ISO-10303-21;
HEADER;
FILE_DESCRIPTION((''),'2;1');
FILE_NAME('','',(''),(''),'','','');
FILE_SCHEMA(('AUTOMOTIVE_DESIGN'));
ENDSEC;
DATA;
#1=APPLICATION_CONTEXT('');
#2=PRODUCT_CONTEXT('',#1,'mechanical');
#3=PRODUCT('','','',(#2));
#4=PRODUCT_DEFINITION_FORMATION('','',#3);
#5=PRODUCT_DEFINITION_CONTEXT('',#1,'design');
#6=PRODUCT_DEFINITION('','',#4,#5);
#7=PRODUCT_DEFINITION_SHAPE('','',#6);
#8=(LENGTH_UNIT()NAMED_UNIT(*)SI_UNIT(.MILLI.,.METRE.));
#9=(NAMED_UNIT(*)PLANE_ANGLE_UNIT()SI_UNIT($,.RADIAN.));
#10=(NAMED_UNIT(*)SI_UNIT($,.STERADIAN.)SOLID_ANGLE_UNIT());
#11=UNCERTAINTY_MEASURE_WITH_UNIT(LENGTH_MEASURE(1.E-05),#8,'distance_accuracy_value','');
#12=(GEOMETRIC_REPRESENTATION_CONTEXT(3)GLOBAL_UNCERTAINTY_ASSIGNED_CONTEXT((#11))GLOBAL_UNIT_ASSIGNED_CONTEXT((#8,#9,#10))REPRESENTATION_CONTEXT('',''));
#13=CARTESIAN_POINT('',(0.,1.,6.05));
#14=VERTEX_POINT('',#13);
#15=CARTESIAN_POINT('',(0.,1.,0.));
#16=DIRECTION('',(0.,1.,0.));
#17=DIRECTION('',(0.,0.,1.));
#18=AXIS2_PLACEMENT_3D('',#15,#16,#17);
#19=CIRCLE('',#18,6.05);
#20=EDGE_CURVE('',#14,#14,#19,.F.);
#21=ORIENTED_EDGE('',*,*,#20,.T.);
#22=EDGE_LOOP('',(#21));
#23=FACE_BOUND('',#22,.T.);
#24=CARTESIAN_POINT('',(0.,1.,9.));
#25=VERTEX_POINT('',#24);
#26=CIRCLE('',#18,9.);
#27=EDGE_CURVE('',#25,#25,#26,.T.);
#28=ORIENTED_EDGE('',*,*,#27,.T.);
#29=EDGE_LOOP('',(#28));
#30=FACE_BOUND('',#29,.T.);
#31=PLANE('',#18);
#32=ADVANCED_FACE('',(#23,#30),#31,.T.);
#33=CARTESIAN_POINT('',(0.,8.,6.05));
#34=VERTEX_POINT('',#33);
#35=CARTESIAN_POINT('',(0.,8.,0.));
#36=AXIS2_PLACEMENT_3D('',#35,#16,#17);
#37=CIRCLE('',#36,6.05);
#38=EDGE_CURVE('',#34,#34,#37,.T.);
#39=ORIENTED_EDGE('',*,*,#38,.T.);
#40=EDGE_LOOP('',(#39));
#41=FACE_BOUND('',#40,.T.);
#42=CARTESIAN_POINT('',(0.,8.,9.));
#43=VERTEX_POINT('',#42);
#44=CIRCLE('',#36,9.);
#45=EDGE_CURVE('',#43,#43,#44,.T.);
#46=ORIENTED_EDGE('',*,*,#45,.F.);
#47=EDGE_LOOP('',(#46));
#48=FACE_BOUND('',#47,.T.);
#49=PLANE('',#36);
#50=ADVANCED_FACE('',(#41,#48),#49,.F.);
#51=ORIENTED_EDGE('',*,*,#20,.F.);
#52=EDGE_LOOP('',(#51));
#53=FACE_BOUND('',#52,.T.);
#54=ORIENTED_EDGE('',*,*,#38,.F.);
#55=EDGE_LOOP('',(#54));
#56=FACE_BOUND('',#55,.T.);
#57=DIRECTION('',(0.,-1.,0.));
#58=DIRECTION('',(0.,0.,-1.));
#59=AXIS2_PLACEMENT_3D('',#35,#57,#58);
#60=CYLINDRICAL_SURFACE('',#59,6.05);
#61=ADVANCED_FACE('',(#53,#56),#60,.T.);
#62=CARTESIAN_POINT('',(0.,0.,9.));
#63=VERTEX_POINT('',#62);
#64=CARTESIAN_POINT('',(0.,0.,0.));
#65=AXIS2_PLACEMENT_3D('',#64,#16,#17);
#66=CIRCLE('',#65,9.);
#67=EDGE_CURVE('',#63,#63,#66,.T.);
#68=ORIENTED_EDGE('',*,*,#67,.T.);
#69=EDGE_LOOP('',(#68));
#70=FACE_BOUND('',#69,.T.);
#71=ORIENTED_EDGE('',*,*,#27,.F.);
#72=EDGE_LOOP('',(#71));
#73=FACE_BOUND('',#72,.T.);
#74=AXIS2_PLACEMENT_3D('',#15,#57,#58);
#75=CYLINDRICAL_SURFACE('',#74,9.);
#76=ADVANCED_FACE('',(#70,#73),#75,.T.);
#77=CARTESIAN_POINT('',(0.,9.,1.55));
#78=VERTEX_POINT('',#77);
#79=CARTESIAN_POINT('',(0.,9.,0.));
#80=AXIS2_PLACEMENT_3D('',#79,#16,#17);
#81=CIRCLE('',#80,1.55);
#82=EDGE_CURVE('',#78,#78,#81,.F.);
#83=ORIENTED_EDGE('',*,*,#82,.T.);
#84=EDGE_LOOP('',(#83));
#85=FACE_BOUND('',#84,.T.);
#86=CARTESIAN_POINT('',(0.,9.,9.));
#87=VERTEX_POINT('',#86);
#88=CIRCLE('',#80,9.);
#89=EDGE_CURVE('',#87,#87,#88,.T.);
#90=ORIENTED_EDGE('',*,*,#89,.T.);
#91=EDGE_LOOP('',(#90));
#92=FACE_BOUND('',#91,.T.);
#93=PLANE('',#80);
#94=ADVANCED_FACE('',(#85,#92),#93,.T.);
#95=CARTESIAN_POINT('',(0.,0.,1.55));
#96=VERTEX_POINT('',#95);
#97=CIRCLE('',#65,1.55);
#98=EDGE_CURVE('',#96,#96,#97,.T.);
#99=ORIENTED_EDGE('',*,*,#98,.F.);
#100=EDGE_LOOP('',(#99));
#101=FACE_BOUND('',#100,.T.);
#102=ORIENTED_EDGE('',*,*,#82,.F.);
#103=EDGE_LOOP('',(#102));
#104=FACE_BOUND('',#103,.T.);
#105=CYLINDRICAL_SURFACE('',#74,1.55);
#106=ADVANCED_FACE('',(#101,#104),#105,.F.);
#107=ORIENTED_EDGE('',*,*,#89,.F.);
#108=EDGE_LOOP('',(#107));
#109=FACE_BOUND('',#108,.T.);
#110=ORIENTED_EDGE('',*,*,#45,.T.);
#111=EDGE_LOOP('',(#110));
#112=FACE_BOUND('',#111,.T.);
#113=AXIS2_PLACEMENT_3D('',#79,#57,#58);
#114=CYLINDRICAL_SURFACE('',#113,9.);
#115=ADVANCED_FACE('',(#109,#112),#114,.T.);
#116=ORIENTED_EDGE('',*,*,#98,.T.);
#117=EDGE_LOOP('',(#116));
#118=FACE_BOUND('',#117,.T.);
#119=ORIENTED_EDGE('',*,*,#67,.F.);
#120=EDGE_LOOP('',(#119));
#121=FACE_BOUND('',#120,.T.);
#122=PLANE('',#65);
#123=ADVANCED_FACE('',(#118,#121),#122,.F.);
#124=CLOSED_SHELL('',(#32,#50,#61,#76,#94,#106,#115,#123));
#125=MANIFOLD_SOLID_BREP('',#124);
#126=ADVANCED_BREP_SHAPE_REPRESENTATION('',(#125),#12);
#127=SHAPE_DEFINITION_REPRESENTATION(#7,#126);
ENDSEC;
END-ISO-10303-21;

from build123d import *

# Parameters (mm, degrees)
CROQUIS1_R              = 9
CROQUIS1_R_2            = 1.55
SALIENTE_EXTRUIR1_DEPTH = 1
CROQUIS1_3_R            = 6.05
CROQUIS1_3_R_2          = 1.55
SALIENTE_EXTRUIR2_DEPTH = 8
CROQUIS2_R              = 9
CROQUIS2_R_2            = 1.55
SALIENTE_EXTRUIR3_DEPTH = 1


with BuildPart() as part:
    # Croquis1 → Saliente-Extruir1 (new body)
    with BuildSketch(Plane(origin=(0, 0, 0), x_dir=(1, 0, 0), z_dir=(0, 1, 0))):
        Circle(CROQUIS1_R)
        Circle(CROQUIS1_R_2, mode=Mode.SUBTRACT)
    extrude(amount=SALIENTE_EXTRUIR1_DEPTH)

    # Croquis1<3> → Saliente-Extruir2 (add)
    with BuildSketch(Plane(origin=(0, 0, 0), x_dir=(1, 0, 0), z_dir=(0, 1, 0))):
        Circle(CROQUIS1_3_R)
        Circle(CROQUIS1_3_R_2, mode=Mode.SUBTRACT)
    extrude(amount=SALIENTE_EXTRUIR2_DEPTH)

    # Croquis2 → Saliente-Extruir3 (add)
    with BuildSketch(Plane(origin=(0, 8, 0), x_dir=(1, 0, 0), z_dir=(0, 1, 0))):
        Circle(CROQUIS2_R)
        Circle(CROQUIS2_R_2, mode=Mode.SUBTRACT)
    extrude(amount=SALIENTE_EXTRUIR3_DEPTH)


solid = part.part
